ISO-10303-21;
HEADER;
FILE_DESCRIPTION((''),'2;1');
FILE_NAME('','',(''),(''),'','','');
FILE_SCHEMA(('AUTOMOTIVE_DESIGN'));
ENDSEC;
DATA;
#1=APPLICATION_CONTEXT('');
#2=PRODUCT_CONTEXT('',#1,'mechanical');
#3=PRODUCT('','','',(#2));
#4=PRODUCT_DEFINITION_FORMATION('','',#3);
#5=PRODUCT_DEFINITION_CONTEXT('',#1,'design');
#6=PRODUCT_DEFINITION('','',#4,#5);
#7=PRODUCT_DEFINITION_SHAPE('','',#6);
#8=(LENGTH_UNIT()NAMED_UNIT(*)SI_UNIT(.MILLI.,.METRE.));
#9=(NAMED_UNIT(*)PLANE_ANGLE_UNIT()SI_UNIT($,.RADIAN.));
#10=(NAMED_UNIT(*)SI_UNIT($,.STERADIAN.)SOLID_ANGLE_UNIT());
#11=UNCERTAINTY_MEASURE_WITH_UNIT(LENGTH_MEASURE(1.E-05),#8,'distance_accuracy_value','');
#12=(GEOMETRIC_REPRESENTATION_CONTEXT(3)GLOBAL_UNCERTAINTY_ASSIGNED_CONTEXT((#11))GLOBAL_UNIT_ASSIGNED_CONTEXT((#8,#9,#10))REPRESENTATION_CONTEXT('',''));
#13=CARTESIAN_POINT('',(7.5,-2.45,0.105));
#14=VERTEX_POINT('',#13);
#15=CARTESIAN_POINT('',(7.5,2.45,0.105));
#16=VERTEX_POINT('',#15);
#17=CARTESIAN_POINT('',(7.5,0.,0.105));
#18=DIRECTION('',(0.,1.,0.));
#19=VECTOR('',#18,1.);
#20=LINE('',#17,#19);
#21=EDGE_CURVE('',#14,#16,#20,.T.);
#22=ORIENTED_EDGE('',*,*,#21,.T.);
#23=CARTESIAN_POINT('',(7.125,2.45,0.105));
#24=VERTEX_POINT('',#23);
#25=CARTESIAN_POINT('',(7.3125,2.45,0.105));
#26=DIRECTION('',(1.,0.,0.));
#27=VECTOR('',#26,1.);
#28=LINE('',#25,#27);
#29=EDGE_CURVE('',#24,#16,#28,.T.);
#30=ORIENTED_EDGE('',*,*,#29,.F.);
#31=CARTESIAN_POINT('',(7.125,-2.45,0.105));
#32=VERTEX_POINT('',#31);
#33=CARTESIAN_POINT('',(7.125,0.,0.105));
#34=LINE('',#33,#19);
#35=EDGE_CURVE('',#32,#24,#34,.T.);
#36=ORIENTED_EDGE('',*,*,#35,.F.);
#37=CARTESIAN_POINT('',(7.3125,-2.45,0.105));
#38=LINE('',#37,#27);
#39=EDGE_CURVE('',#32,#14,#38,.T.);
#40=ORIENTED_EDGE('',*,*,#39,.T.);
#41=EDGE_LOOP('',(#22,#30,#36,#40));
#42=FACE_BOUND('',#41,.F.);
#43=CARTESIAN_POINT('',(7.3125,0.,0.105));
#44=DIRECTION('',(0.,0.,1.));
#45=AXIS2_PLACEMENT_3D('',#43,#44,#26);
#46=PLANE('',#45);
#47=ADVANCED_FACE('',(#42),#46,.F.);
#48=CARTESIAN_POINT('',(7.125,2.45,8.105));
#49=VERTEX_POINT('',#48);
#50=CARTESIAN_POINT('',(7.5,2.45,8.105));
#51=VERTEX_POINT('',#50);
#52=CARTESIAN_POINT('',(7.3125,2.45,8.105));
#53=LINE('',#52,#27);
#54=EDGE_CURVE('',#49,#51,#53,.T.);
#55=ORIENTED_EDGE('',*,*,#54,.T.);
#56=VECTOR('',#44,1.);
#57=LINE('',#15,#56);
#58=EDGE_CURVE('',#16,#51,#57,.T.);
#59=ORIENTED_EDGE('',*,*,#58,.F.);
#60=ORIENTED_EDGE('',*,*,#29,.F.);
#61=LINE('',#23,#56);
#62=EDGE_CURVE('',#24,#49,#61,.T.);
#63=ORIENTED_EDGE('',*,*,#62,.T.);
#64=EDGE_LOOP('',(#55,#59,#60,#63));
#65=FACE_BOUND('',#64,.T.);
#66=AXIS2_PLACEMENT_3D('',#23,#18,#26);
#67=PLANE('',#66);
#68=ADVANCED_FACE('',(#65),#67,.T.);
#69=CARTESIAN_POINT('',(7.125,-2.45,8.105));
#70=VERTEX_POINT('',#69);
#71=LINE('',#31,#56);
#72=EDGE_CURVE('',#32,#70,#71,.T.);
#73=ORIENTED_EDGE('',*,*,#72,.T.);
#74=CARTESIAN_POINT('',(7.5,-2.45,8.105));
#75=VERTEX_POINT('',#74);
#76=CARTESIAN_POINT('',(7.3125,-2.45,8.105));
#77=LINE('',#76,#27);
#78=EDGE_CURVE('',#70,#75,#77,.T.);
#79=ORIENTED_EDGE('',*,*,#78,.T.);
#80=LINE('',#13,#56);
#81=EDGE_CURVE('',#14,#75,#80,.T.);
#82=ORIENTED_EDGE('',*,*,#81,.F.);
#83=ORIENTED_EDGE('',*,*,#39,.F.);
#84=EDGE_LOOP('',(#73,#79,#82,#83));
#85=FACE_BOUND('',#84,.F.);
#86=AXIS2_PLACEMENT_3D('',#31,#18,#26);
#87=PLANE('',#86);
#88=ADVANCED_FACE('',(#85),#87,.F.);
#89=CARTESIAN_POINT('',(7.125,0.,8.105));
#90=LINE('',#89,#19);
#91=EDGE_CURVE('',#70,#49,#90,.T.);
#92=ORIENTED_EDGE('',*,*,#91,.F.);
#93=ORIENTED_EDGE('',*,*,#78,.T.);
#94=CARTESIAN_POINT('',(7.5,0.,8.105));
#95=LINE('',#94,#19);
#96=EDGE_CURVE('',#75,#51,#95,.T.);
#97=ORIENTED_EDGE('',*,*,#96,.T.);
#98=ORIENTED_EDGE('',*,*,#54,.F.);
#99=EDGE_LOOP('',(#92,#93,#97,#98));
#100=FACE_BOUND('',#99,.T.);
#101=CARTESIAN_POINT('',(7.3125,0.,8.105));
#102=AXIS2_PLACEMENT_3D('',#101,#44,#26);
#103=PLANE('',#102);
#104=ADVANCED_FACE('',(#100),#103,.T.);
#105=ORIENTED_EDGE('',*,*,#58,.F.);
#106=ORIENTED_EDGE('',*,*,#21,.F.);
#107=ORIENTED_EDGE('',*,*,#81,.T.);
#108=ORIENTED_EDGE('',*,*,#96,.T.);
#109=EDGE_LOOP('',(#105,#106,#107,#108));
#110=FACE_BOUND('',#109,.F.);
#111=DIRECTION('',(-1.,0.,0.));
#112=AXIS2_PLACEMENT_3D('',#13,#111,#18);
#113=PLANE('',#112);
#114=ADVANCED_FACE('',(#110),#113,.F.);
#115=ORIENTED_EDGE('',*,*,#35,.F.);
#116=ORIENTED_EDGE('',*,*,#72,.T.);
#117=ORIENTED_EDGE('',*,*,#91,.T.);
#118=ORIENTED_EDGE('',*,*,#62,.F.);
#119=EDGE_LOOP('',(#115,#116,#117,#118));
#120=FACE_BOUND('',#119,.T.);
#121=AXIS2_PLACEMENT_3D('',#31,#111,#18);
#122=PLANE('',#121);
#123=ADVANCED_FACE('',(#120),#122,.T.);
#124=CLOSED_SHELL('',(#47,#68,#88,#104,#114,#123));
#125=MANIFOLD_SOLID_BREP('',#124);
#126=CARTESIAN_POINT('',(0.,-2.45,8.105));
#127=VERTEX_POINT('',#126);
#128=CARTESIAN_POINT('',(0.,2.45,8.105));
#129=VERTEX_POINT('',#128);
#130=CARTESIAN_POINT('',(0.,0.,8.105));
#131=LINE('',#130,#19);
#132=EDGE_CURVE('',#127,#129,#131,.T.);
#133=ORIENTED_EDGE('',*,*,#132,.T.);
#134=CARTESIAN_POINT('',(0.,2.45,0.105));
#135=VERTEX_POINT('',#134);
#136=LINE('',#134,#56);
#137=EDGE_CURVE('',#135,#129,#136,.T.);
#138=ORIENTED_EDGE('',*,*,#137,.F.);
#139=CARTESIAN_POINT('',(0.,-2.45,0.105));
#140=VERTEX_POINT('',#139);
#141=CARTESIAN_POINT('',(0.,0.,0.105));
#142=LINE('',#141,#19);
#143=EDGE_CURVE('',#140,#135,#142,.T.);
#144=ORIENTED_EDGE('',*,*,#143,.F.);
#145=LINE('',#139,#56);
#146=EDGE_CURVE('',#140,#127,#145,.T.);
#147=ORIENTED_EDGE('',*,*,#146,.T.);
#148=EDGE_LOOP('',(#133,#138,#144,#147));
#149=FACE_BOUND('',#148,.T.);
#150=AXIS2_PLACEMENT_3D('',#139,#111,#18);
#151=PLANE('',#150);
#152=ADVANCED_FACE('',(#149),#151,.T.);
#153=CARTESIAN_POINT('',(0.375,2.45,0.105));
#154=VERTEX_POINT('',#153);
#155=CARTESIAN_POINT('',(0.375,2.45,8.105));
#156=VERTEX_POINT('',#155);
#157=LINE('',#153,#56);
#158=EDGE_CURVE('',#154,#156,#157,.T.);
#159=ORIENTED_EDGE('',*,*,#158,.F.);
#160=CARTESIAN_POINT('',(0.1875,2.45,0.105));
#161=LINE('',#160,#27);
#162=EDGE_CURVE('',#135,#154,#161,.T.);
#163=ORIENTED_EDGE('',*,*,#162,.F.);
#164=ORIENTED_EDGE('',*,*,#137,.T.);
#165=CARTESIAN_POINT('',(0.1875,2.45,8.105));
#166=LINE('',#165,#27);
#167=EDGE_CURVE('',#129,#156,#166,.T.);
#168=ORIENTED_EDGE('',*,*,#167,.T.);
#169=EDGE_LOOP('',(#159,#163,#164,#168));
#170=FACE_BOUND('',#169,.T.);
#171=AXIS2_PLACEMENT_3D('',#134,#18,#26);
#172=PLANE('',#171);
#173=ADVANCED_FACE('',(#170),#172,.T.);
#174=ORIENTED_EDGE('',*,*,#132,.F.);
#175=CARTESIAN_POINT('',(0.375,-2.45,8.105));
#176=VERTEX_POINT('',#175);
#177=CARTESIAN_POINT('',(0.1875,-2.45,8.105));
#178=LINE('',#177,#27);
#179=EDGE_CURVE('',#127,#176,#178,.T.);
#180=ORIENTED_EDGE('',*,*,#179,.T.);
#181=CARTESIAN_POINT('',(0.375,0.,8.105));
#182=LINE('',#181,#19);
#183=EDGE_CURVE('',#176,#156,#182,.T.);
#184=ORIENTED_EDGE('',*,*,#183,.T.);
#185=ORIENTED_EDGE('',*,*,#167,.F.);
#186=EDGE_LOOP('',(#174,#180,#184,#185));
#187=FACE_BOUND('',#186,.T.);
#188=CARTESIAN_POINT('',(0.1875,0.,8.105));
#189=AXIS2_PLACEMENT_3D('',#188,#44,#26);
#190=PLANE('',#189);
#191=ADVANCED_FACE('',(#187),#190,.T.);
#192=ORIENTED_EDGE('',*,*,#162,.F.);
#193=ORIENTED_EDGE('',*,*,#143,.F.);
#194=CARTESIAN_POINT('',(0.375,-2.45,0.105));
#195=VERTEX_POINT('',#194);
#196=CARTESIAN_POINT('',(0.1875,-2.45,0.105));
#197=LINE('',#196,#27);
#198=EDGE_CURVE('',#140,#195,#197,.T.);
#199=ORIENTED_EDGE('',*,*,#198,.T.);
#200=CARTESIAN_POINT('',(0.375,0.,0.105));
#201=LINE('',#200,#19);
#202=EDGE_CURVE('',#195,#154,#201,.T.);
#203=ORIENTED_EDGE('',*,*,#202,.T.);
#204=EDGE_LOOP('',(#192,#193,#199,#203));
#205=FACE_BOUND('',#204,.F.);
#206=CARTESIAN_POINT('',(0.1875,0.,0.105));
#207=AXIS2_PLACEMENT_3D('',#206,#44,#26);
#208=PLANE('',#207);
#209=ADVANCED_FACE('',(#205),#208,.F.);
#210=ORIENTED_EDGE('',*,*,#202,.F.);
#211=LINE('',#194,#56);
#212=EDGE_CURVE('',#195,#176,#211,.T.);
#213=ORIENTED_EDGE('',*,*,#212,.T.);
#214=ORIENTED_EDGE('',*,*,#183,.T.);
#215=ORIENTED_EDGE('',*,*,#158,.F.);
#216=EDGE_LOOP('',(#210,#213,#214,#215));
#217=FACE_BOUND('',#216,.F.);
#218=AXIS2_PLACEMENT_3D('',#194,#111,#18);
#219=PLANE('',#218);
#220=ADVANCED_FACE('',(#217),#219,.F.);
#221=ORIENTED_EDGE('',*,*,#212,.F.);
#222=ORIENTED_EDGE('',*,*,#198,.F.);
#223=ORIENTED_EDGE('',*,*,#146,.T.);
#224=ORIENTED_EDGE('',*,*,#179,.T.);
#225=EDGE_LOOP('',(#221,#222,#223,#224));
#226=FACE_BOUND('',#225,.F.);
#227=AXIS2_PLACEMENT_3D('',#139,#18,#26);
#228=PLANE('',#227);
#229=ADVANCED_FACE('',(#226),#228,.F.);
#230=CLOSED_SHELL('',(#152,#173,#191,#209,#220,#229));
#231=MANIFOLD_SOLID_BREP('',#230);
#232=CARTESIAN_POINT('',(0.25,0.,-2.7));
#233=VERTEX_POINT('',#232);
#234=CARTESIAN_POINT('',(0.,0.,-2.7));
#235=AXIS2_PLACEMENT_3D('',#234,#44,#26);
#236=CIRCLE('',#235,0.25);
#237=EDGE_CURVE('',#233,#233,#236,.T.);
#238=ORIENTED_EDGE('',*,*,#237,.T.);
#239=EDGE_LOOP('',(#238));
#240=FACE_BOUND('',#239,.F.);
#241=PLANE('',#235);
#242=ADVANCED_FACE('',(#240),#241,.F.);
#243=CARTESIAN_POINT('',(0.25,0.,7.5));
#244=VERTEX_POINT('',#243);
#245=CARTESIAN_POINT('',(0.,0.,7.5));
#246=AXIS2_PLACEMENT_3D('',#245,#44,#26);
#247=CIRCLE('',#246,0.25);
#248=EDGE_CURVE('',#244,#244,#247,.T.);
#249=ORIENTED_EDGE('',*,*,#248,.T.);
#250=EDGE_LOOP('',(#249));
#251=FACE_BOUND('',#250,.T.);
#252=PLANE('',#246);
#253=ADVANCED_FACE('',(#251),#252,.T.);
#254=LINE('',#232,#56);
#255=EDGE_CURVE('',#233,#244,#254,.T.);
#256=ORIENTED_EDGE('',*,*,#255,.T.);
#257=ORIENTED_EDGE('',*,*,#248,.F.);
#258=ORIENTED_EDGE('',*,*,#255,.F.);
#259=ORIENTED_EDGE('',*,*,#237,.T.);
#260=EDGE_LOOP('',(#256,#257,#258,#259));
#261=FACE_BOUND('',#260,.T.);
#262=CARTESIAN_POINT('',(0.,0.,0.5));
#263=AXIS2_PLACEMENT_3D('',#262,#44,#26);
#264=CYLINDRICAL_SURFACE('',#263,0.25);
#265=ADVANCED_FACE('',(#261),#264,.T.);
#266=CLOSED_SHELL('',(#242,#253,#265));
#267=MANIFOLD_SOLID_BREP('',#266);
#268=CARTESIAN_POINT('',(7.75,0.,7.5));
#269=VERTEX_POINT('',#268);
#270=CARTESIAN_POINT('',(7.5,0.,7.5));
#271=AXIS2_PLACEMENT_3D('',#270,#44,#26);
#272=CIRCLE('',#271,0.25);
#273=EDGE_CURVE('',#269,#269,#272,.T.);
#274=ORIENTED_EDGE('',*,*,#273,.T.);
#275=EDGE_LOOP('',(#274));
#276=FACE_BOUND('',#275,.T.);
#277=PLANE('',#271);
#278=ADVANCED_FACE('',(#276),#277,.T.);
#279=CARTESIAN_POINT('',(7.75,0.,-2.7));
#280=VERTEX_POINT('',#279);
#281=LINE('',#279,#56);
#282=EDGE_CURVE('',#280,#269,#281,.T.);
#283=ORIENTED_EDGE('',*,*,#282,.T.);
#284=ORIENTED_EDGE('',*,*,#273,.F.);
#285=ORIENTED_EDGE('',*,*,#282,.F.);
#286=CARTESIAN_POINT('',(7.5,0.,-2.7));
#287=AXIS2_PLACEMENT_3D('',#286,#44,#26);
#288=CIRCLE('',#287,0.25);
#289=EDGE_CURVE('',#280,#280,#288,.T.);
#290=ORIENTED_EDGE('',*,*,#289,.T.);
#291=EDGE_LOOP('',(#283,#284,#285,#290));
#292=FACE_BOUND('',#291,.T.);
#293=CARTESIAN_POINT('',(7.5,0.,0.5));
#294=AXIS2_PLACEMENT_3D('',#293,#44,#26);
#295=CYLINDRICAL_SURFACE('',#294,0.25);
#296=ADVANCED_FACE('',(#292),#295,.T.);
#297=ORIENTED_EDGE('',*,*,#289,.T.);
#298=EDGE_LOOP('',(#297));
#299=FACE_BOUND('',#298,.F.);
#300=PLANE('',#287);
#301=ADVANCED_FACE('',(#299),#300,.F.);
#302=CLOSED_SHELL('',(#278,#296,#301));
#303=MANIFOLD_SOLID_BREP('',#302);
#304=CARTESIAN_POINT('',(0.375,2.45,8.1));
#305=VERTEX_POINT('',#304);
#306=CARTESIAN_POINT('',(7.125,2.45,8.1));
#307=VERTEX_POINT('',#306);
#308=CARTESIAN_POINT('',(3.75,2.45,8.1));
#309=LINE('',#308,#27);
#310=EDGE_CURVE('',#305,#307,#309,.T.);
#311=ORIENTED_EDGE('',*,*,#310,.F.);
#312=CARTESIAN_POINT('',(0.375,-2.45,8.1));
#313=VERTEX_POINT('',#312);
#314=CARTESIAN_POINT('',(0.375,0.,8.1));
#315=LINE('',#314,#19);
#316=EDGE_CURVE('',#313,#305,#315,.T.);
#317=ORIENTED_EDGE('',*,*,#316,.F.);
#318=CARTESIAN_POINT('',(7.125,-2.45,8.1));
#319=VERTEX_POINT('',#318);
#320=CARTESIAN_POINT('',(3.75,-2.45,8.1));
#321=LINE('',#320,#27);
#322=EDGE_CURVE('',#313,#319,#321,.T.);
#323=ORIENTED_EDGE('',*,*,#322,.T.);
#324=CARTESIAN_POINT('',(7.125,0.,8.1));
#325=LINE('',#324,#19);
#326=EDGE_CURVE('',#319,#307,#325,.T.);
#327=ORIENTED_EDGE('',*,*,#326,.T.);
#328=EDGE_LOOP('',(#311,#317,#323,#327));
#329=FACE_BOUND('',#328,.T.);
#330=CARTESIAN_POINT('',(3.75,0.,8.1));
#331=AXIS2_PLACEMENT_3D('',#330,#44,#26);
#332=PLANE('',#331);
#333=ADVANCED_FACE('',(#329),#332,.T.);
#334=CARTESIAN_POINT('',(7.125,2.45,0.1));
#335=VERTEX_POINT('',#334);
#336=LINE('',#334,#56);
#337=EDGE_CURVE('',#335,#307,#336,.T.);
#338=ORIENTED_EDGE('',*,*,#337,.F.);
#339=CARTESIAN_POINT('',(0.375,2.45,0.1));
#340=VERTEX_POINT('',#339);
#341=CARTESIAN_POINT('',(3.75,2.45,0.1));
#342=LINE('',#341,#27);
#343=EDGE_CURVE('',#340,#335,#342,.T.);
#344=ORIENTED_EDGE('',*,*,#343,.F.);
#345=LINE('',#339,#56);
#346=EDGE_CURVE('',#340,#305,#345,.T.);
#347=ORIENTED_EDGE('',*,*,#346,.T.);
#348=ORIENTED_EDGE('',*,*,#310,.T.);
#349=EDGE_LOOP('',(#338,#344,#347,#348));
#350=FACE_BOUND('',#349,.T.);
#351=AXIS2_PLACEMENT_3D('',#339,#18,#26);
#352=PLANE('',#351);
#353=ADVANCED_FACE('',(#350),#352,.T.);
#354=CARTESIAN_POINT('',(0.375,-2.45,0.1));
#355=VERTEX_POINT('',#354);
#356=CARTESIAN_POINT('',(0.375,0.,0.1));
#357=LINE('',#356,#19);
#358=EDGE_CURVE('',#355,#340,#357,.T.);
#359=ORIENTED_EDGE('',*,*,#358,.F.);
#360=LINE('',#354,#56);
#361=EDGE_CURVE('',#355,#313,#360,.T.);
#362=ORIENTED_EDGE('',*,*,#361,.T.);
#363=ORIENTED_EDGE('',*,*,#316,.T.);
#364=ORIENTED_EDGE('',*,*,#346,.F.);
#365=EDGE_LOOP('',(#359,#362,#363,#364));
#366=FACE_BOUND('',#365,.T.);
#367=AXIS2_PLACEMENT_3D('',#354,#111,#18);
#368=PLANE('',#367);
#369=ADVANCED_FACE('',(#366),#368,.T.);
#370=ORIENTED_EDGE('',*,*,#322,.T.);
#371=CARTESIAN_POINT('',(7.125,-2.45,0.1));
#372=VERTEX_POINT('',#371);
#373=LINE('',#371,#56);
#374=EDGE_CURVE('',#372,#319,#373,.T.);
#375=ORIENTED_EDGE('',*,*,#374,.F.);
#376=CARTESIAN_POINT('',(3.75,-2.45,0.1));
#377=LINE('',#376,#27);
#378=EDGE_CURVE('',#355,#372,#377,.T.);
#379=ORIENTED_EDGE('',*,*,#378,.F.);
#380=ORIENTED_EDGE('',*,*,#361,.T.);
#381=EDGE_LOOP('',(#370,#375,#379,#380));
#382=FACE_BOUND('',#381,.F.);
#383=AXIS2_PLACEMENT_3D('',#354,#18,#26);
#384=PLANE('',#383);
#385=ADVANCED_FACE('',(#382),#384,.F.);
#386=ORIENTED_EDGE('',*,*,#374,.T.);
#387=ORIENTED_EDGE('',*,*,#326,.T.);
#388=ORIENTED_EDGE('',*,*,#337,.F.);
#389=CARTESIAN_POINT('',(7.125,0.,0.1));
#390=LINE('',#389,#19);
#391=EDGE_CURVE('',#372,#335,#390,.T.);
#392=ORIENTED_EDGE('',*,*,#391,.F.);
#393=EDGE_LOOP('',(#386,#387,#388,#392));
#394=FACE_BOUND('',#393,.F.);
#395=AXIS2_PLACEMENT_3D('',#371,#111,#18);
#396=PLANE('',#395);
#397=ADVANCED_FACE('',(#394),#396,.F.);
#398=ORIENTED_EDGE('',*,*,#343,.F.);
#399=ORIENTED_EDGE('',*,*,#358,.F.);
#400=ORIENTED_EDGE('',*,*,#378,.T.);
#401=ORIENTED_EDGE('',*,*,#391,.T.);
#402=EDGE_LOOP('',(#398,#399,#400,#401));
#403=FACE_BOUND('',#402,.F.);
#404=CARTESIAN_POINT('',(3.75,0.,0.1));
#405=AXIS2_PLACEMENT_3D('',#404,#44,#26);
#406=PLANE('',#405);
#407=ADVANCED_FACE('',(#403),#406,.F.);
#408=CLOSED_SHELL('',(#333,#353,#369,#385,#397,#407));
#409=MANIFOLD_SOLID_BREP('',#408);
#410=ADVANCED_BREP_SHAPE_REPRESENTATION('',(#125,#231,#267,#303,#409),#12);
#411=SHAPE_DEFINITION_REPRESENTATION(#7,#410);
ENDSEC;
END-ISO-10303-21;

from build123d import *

# Parameters (mm, degrees)
SKETCH_W          = 6.75
SKETCH_H          = 4.9
PAD_DEPTH         = 8
SKETCH001_R       = 0.25
PAD001_DEPTH      = 7
PAD001_DEPTH_BACK = 3.2
SKETCH002_W       = 0.375
SKETCH002_H       = 4.9
PAD002_DEPTH      = 8


with BuildPart() as pad:
    # Sketch → Pad (new body)
    with BuildSketch(Plane.XY.offset(0.1)):
        with Locations((3.75, 0)):
            Rectangle(SKETCH_W, SKETCH_H)
    extrude(amount=PAD_DEPTH)


with BuildPart() as pad001:
    # Sketch001 → Pad001 (new body, two sides)
    with BuildSketch(Plane.XY.offset(0.5)) as pad001_sk:
        Circle(SKETCH001_R)
        with Locations((7.5, 0)):
            Circle(SKETCH001_R)
    extrude(amount=PAD001_DEPTH)
    extrude(pad001_sk.sketch, amount=-PAD001_DEPTH_BACK)


with BuildPart() as pad002:
    # Sketch002 → Pad002 (new body)
    with BuildSketch(Plane.XY.offset(0.105)):
        with Locations((0.1875, 0)):
            Rectangle(SKETCH002_W, SKETCH002_H)
        with Locations((7.3125, 0)):
            Rectangle(SKETCH002_W, SKETCH002_H)
    extrude(amount=PAD002_DEPTH)


solid = Compound([pad.part, pad001.part, pad002.part])
